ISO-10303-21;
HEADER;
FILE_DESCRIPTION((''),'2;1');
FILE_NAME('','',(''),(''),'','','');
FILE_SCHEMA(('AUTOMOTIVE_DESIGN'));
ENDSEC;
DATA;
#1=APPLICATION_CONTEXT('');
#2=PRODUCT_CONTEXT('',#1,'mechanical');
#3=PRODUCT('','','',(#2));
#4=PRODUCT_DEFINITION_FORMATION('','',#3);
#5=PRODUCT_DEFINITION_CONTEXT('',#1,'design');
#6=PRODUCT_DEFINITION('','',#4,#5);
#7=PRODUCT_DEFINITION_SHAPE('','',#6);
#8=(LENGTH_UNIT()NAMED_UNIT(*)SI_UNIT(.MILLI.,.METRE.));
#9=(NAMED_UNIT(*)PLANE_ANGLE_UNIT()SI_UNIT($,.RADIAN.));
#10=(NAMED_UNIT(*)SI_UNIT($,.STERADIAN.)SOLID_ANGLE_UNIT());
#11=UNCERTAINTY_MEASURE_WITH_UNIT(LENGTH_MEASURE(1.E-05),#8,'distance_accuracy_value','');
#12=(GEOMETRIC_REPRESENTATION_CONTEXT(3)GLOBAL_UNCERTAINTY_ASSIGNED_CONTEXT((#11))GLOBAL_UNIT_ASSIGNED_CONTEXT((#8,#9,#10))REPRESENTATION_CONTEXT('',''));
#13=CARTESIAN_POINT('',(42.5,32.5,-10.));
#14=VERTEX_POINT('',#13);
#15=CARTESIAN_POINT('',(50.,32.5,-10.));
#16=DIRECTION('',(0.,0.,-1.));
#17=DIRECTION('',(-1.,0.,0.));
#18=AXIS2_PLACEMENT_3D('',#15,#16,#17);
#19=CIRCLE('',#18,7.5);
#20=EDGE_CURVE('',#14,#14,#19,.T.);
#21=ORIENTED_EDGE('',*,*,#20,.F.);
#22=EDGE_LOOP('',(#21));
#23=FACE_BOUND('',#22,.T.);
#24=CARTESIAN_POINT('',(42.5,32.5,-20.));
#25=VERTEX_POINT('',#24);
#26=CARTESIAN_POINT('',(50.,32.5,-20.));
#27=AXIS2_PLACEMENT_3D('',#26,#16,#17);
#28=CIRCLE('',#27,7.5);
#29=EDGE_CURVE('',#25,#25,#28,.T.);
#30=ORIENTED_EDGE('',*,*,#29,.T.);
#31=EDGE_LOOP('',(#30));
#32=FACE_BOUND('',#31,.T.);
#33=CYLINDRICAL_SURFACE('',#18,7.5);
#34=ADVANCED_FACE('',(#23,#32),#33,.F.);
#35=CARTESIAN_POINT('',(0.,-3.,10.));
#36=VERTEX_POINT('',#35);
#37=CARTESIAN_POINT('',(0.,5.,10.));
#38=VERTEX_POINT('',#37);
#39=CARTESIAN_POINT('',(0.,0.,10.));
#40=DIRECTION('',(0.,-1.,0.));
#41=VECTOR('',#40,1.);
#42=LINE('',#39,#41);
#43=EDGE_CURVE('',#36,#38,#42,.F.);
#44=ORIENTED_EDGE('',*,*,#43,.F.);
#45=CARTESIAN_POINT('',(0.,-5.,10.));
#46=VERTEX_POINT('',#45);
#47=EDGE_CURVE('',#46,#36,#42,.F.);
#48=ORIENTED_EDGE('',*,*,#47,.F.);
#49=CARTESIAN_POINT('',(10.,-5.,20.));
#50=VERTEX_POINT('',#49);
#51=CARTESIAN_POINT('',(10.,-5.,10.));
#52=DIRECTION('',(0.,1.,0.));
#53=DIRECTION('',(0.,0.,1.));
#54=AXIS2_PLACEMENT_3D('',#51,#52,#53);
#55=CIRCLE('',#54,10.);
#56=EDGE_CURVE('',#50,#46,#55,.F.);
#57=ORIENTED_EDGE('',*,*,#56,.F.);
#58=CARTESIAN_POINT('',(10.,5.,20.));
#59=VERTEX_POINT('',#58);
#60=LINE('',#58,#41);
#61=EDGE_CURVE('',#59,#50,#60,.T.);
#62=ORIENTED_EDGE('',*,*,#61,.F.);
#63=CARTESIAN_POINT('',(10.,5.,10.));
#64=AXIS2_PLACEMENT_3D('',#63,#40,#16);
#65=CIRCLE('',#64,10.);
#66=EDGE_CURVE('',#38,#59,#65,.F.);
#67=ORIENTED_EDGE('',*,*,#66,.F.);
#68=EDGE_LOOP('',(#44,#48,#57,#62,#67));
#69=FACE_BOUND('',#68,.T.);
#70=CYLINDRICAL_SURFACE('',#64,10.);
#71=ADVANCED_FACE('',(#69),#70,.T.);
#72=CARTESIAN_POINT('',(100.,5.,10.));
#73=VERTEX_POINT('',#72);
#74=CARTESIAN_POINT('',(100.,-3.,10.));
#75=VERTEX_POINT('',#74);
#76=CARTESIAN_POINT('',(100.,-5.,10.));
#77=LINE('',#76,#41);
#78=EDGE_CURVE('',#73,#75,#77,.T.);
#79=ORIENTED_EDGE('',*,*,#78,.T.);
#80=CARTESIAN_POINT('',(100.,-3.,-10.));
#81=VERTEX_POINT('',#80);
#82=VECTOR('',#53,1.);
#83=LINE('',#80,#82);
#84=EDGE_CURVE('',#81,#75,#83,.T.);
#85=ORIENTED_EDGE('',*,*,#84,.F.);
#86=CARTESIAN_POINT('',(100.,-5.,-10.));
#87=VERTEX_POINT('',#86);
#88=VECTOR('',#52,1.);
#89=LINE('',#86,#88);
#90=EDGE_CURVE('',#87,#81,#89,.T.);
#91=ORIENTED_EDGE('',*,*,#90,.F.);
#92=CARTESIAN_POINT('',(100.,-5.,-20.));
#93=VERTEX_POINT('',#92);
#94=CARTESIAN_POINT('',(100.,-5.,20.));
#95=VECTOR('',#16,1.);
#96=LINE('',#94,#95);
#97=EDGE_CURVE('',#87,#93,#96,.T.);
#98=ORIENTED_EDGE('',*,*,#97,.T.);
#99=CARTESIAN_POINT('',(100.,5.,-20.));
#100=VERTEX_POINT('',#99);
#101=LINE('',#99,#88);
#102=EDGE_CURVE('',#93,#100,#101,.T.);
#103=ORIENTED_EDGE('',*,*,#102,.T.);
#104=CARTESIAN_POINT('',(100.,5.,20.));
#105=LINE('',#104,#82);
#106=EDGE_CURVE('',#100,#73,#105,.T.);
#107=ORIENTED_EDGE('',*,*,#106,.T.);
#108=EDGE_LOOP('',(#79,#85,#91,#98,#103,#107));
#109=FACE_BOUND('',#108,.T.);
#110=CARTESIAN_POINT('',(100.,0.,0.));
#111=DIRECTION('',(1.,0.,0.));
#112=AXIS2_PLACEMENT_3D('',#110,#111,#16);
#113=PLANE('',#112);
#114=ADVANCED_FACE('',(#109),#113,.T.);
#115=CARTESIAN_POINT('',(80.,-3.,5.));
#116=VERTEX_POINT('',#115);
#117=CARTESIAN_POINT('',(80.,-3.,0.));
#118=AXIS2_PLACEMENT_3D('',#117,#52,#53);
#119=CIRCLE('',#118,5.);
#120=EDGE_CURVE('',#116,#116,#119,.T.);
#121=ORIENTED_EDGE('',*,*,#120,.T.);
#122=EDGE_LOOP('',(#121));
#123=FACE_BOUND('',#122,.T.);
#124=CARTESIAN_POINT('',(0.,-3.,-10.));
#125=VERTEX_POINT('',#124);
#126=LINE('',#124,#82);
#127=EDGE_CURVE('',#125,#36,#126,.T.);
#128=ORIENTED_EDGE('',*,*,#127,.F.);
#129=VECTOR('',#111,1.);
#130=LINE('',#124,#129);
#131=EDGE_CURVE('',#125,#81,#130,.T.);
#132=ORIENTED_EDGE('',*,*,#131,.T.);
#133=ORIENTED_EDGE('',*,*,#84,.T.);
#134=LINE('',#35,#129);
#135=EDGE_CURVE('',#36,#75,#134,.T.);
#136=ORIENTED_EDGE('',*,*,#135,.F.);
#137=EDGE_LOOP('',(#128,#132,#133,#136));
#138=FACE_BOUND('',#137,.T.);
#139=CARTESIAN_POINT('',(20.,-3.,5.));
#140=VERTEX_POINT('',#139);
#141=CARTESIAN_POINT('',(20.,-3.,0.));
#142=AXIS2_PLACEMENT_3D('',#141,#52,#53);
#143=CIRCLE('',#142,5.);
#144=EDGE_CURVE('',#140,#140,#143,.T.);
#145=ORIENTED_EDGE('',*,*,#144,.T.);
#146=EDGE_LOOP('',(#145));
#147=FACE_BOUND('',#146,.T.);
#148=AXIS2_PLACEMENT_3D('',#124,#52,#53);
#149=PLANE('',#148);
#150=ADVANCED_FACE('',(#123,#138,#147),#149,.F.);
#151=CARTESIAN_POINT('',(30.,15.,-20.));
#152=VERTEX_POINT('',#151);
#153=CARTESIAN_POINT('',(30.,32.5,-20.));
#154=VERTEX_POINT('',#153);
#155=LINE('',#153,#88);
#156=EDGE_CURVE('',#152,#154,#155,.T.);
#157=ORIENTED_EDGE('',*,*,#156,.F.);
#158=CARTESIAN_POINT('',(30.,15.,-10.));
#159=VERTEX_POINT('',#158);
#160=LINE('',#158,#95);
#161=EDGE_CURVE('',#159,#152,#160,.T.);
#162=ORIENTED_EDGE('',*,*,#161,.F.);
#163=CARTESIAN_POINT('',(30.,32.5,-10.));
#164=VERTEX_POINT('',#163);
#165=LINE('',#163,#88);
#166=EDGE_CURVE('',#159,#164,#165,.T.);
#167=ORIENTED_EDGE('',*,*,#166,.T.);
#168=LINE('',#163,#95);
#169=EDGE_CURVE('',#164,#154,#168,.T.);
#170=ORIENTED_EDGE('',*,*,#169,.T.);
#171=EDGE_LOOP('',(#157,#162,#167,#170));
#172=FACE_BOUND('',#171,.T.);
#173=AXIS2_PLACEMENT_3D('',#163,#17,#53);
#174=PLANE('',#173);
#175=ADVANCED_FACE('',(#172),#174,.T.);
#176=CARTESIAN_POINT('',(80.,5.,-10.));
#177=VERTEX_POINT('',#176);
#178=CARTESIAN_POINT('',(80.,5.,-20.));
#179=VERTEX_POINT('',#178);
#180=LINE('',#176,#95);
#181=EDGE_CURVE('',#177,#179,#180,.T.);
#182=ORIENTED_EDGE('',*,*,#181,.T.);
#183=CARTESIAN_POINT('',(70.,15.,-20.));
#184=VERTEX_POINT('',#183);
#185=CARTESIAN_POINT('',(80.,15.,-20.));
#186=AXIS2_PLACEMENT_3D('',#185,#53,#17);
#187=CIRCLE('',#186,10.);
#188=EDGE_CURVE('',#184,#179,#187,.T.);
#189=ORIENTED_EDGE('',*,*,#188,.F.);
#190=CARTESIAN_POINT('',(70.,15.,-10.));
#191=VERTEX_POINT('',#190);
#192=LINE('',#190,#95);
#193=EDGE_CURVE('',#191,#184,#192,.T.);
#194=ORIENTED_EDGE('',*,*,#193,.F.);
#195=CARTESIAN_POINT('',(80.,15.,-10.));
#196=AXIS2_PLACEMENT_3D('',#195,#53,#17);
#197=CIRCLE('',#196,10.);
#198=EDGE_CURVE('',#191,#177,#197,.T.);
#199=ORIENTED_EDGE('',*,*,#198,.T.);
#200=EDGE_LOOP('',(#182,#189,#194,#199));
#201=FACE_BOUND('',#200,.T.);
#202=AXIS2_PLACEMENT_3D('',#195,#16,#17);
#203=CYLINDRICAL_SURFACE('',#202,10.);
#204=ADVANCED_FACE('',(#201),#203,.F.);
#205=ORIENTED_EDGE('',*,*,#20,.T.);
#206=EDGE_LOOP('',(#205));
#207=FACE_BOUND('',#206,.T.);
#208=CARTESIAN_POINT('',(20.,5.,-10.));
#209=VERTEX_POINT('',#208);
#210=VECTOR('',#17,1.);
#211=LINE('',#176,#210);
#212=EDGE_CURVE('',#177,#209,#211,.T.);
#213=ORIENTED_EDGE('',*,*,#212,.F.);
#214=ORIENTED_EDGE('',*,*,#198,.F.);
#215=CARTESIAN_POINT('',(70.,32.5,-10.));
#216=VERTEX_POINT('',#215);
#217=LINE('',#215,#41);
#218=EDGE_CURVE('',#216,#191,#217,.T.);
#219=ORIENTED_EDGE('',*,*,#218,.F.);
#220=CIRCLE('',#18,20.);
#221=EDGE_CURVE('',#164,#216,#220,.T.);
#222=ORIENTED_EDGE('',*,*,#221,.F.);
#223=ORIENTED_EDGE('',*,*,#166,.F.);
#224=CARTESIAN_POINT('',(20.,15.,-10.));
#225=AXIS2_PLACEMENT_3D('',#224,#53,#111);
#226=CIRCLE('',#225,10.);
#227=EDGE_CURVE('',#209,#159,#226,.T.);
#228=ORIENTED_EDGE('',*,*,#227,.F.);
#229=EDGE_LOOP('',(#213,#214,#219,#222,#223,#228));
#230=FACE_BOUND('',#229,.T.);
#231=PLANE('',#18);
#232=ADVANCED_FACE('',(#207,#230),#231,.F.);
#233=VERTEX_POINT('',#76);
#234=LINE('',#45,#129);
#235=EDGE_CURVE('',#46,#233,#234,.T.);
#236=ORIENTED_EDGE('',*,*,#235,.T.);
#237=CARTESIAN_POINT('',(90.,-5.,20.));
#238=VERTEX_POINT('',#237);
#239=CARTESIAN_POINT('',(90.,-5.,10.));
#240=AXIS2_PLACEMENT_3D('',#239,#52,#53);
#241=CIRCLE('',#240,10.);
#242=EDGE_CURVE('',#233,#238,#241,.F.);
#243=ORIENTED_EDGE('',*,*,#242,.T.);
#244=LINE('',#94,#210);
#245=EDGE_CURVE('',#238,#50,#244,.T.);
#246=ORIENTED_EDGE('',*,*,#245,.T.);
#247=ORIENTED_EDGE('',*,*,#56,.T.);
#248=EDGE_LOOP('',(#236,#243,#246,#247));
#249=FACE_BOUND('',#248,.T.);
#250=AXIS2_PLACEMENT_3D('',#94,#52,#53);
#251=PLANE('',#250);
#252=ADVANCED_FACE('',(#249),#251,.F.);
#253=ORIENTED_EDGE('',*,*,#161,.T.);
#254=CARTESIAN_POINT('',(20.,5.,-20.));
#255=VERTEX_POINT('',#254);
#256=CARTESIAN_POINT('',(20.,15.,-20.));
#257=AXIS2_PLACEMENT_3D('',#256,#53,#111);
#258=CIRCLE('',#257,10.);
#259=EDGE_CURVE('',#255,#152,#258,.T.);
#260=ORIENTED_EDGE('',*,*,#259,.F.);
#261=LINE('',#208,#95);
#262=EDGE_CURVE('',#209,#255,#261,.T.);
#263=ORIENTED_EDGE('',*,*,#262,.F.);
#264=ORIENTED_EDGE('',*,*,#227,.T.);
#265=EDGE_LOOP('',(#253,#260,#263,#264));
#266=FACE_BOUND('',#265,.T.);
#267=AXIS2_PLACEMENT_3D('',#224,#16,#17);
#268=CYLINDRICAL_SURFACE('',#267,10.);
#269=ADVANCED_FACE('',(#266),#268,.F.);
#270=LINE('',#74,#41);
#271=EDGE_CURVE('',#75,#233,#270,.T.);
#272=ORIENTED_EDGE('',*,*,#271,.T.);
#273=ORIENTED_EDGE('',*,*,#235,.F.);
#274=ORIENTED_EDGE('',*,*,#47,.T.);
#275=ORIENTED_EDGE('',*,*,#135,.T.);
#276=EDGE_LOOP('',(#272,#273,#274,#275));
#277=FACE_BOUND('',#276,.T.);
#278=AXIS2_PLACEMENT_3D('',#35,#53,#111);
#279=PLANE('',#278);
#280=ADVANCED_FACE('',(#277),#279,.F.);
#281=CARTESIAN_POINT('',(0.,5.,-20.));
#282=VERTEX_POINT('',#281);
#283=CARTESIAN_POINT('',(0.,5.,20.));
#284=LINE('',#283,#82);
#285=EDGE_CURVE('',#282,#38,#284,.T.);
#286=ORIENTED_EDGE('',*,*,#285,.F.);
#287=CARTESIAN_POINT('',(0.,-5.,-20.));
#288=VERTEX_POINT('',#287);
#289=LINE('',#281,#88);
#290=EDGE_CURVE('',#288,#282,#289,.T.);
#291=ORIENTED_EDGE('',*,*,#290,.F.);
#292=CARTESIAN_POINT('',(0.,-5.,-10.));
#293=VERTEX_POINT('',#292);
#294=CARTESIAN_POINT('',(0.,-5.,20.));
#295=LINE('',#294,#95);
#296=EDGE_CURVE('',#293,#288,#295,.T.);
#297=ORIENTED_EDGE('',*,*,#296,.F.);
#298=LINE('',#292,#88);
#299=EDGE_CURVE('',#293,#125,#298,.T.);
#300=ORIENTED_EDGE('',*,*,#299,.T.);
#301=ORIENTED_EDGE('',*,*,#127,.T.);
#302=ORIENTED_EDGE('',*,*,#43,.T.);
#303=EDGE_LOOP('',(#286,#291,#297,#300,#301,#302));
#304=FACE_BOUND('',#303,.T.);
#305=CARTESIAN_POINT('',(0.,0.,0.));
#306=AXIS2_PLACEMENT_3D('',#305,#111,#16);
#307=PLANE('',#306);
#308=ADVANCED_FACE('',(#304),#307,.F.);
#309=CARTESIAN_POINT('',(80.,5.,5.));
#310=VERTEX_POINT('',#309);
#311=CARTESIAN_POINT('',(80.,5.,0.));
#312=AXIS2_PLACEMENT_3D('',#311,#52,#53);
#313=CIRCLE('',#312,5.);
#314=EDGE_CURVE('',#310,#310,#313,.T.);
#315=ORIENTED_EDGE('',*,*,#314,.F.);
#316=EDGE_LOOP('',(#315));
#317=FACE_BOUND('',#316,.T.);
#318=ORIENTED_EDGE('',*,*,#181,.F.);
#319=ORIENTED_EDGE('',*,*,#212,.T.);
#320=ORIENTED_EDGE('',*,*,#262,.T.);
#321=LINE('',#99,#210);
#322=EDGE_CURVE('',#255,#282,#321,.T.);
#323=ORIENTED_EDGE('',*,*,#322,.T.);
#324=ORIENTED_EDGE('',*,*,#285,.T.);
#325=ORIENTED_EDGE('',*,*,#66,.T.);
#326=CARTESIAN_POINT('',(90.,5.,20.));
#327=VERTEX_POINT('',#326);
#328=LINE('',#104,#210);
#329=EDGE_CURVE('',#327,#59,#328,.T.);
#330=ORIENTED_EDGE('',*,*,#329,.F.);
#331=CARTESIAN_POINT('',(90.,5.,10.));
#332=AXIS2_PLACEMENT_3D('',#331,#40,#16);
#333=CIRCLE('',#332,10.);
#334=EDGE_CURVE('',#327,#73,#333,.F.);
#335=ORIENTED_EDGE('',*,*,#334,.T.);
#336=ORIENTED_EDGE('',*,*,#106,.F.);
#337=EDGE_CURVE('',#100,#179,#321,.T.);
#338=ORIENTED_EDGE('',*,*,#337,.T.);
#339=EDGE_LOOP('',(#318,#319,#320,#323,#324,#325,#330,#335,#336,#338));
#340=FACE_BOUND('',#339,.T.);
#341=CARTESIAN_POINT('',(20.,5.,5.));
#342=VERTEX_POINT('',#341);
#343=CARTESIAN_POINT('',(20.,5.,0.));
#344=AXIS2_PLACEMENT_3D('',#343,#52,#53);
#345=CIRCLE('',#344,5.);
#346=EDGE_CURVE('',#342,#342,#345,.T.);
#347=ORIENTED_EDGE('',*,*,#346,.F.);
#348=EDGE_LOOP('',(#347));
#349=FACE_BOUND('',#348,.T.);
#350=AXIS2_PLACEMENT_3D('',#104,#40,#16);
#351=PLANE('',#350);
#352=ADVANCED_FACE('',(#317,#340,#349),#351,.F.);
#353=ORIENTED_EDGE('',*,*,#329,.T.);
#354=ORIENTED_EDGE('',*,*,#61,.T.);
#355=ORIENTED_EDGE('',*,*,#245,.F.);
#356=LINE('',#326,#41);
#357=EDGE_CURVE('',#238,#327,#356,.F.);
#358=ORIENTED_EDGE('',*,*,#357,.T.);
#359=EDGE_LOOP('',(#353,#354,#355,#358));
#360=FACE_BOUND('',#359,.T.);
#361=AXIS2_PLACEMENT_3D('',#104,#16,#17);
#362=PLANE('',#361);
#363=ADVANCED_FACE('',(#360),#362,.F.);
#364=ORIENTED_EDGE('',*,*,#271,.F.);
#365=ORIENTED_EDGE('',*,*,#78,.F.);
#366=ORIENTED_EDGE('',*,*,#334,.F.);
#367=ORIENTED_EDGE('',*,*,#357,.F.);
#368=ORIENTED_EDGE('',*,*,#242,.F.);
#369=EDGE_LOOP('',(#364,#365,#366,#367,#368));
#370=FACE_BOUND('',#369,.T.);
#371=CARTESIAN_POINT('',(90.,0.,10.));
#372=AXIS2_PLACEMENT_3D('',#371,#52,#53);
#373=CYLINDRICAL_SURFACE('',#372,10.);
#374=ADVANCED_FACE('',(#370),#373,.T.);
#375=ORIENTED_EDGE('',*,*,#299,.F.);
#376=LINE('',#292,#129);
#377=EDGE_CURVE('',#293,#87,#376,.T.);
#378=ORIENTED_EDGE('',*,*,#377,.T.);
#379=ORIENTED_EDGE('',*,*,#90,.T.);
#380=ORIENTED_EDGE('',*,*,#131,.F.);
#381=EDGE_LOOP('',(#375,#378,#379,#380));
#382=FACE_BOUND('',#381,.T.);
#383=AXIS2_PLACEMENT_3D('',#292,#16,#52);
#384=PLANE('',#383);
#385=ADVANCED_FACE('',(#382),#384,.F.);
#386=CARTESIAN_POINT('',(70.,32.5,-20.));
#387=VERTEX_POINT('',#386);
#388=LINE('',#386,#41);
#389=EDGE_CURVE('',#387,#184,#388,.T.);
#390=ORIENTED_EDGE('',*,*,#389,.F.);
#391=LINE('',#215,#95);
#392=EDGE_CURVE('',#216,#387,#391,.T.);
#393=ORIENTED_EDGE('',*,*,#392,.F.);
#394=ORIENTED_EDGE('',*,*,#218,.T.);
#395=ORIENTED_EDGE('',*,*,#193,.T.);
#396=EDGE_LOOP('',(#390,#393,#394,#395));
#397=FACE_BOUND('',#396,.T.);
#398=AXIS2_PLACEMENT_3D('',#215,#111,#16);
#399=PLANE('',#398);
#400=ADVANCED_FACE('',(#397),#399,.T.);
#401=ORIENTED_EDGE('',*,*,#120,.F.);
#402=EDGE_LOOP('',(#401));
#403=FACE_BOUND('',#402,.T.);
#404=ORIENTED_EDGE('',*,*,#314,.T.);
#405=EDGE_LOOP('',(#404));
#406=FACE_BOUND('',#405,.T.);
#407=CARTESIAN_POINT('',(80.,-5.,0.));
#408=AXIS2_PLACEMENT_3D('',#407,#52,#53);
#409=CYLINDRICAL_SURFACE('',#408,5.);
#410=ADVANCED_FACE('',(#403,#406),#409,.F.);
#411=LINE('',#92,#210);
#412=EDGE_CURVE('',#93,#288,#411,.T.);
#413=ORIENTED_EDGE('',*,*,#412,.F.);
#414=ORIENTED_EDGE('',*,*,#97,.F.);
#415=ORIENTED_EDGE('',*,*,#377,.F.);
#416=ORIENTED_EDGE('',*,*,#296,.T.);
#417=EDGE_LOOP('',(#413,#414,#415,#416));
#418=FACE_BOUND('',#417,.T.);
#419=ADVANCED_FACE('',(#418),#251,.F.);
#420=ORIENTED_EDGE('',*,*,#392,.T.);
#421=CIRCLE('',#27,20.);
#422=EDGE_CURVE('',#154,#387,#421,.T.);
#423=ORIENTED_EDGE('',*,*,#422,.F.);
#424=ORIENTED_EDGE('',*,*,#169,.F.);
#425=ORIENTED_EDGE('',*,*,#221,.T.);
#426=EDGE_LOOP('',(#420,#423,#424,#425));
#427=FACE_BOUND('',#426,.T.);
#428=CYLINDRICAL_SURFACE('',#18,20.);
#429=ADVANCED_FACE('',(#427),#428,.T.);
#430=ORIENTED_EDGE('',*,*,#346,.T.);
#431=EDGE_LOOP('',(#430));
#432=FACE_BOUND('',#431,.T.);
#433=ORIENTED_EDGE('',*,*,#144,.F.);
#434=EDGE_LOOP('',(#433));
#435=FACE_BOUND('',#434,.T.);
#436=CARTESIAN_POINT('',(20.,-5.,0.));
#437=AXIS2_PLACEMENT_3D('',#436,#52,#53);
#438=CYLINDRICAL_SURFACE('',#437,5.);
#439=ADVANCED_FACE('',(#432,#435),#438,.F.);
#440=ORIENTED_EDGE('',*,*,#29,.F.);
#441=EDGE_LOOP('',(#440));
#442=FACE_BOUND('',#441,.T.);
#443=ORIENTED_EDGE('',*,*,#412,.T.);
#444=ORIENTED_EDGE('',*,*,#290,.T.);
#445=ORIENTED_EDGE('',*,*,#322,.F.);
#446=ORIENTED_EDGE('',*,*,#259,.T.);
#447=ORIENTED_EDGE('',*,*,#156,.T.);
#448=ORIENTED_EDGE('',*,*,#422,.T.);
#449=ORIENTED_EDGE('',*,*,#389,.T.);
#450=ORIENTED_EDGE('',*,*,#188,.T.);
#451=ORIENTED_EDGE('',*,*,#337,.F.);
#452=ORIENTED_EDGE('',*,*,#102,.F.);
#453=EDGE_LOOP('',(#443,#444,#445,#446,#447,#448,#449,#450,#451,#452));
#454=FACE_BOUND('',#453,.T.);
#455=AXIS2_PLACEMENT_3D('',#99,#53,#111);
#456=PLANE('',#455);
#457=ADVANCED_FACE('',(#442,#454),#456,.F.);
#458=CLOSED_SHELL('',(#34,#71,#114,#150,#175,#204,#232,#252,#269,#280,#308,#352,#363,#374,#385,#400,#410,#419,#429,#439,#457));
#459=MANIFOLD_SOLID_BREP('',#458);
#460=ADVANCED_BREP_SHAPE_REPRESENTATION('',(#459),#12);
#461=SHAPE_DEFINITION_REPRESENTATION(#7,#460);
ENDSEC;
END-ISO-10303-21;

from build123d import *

# Parameters (mm, degrees)
CROQUIS1_W              = 40
CROQUIS1_H              = 10
SALIENTE_EXTRUIR1_DEPTH = 100
REDONDEO2_R             = 10
CROQUIS2_W              = 20
CROQUIS2_H              = 2
CORTAR_EXTRUIR1_DEPTH   = 100
CROQUIS3_R              = 5
CORTAR_EXTRUIR2_DEPTH   = 10
CROQUIS5_R              = 7.5
SALIENTE_EXTRUIR3_DEPTH = 10


with BuildPart() as part:
    # Croquis1 → Saliente-Extruir1 (new body)
    with BuildSketch(Plane(origin=(0, 0, 0), x_dir=(0, 0, -1), z_dir=(1, 0, 0))):
        Rectangle(CROQUIS1_W, CROQUIS1_H)
    extrude(amount=SALIENTE_EXTRUIR1_DEPTH)

    # Redondeo2
    redondeo2_edges = [part.edges().sort_by_distance(p)[0] for p in [
        (100, 0, 20),
        (0, 0, 20),
    ]]
    fillet(redondeo2_edges, radius=REDONDEO2_R)

    # Croquis2 → Cortar-Extruir1 (cut)
    with BuildSketch(Plane(origin=(100, 0, 0), x_dir=(0, 0, -1), z_dir=(1, 0, 0))):
        with Locations((0, -4)):
            Rectangle(CROQUIS2_W, CROQUIS2_H)
    extrude(amount=-CORTAR_EXTRUIR1_DEPTH, mode=Mode.SUBTRACT)

    # Croquis3 → Cortar-Extruir2 (cut)
    with BuildSketch(Plane(origin=(0, 5, 0), x_dir=(1, 0, 0), z_dir=(0, 1, 0))):
        with Locations((20, 0)):
            Circle(CROQUIS3_R)
        with Locations((80, 0)):
            Circle(CROQUIS3_R)
    extrude(amount=-CORTAR_EXTRUIR2_DEPTH, mode=Mode.SUBTRACT)

    # Croquis5 → Saliente-Extruir3 (add)
    with BuildSketch(Plane(origin=(0, 0, -20), x_dir=(-1, 0, 0), z_dir=(0, 0, -1))):
        with BuildLine():
            Line((-70, 32.5), (-70, 15))
            ThreePointArc((-70, 15), (-72.928932188, 7.928932188), (-80, 5))
            Line((-80, 5), (-20, 5))
            ThreePointArc((-20, 5), (-27.071067812, 7.928932188), (-30, 15))
            Line((-30, 15), (-30, 32.5))
            ThreePointArc((-30, 32.5), (-50, 52.5), (-70, 32.5))
        make_face()
        with Locations((-50, 32.5)):
            Circle(CROQUIS5_R, mode=Mode.SUBTRACT)
    extrude(amount=-SALIENTE_EXTRUIR3_DEPTH)


solid = part.part
